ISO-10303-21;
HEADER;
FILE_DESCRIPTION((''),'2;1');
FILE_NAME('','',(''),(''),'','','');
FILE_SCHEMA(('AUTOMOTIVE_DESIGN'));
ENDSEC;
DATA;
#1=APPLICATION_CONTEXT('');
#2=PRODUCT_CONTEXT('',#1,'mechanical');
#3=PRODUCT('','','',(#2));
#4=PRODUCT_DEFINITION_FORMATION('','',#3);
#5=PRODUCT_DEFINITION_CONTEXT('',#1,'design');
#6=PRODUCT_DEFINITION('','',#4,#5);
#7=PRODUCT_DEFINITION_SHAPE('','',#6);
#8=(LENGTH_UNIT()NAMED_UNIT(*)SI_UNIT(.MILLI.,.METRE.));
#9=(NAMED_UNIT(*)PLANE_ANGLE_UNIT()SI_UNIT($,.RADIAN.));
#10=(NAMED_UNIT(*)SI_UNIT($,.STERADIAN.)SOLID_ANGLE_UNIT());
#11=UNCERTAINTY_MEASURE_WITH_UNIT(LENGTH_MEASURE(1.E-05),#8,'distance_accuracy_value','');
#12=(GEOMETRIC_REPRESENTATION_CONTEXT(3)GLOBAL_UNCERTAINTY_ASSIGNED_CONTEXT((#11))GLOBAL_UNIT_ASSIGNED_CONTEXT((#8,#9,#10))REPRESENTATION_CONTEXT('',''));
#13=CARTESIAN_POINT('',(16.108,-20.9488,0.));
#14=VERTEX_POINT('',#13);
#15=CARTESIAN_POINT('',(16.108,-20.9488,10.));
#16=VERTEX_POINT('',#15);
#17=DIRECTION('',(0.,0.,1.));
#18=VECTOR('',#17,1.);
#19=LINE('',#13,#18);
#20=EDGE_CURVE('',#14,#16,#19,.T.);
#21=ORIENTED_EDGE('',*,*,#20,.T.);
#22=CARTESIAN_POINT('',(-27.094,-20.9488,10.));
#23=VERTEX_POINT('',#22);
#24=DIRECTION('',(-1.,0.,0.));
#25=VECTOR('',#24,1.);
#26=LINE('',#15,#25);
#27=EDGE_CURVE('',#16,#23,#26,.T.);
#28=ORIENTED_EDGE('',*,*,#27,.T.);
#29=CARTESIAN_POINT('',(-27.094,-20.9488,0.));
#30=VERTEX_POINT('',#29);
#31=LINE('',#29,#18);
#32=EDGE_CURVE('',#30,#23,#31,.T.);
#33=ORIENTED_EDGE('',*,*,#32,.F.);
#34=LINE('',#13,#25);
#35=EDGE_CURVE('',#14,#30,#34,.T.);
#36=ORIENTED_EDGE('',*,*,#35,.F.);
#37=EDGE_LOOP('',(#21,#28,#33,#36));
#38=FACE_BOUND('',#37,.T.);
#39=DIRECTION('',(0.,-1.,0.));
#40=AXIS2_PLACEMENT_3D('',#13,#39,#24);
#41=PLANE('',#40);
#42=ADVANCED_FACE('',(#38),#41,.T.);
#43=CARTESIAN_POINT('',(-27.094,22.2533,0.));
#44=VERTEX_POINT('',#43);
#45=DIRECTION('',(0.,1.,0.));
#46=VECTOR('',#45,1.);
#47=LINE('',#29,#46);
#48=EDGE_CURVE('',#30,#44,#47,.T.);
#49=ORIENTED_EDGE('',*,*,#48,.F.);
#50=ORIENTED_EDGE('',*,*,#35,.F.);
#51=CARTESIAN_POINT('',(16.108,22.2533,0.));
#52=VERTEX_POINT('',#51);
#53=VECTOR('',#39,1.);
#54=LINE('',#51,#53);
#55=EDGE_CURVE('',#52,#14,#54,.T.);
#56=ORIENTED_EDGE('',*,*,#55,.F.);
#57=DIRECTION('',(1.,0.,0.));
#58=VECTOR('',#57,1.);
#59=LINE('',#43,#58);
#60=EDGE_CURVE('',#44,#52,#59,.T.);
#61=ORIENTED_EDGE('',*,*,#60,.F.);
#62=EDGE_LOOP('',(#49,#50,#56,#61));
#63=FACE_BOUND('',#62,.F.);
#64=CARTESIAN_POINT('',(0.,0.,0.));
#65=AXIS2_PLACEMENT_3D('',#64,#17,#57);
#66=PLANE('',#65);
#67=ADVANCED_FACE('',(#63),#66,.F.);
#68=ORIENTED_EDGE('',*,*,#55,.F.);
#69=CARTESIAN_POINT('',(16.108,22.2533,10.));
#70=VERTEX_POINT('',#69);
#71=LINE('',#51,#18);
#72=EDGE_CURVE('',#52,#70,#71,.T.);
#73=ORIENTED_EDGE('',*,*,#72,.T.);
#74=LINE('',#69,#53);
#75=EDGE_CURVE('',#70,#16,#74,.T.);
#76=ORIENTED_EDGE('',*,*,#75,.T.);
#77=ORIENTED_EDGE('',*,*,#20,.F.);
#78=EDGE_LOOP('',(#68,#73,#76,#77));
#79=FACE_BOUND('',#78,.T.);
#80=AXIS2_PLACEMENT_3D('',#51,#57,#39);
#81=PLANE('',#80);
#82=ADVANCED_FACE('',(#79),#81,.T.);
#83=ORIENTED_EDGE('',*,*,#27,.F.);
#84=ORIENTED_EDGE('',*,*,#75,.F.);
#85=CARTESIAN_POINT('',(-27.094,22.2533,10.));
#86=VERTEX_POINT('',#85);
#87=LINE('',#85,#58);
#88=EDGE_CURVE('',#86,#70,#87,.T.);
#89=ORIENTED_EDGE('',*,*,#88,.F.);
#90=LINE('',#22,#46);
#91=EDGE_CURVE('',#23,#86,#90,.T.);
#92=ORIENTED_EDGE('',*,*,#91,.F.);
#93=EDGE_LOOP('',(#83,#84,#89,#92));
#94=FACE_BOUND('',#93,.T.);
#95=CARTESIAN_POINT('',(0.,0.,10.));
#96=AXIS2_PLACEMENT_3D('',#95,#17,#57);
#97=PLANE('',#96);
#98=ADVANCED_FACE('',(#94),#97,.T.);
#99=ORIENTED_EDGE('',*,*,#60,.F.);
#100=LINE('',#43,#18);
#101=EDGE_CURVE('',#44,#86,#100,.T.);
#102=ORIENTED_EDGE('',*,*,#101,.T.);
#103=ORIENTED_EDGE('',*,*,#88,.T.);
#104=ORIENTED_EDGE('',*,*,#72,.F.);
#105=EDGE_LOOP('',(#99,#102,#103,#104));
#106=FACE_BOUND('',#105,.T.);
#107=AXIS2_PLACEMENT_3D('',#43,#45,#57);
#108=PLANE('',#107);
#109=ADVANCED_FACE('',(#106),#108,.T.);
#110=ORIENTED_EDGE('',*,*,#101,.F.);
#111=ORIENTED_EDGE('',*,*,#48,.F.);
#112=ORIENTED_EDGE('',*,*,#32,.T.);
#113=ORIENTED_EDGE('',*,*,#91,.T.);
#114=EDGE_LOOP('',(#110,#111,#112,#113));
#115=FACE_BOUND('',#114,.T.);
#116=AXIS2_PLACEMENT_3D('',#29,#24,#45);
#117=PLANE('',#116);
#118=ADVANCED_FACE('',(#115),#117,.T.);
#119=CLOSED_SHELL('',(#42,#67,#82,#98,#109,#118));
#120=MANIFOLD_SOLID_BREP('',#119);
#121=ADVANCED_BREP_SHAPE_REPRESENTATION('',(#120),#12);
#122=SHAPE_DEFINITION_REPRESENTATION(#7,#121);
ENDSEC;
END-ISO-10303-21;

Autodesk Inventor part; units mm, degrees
ref_plane "YZ Plane" through (0, 0, 0) normal (1, 0, 0) x (0, 1, 0)
ref_plane "XZ Plane" through (0, 0, 0) normal (0, 1, 0) x (-1, 0, 0)
ref_plane "XY Plane" through (0, 0, 0) normal (0, 0, 1) x (1, 0, 0)
sketch "Sketch1" plane through (0, 0, 0) normal (0, 0, 1) x (1, 0, 0)
  line L0 (-27.094, 22.2533) -> (16.108, 22.2533)
  line L1 (16.108, 22.2533) -> (16.108, -20.9488)
  line L2 (16.108, -20.9488) -> (-27.094, -20.9488)
  line L3 (-27.094, -20.9488) -> (-27.094, 22.2533)
  point P0 (0, 0)
extrude "Extrusion1" add sketch "Sketch1" along normal blind 10
properties part number "DemoSimpleSurfaceGraphics"
